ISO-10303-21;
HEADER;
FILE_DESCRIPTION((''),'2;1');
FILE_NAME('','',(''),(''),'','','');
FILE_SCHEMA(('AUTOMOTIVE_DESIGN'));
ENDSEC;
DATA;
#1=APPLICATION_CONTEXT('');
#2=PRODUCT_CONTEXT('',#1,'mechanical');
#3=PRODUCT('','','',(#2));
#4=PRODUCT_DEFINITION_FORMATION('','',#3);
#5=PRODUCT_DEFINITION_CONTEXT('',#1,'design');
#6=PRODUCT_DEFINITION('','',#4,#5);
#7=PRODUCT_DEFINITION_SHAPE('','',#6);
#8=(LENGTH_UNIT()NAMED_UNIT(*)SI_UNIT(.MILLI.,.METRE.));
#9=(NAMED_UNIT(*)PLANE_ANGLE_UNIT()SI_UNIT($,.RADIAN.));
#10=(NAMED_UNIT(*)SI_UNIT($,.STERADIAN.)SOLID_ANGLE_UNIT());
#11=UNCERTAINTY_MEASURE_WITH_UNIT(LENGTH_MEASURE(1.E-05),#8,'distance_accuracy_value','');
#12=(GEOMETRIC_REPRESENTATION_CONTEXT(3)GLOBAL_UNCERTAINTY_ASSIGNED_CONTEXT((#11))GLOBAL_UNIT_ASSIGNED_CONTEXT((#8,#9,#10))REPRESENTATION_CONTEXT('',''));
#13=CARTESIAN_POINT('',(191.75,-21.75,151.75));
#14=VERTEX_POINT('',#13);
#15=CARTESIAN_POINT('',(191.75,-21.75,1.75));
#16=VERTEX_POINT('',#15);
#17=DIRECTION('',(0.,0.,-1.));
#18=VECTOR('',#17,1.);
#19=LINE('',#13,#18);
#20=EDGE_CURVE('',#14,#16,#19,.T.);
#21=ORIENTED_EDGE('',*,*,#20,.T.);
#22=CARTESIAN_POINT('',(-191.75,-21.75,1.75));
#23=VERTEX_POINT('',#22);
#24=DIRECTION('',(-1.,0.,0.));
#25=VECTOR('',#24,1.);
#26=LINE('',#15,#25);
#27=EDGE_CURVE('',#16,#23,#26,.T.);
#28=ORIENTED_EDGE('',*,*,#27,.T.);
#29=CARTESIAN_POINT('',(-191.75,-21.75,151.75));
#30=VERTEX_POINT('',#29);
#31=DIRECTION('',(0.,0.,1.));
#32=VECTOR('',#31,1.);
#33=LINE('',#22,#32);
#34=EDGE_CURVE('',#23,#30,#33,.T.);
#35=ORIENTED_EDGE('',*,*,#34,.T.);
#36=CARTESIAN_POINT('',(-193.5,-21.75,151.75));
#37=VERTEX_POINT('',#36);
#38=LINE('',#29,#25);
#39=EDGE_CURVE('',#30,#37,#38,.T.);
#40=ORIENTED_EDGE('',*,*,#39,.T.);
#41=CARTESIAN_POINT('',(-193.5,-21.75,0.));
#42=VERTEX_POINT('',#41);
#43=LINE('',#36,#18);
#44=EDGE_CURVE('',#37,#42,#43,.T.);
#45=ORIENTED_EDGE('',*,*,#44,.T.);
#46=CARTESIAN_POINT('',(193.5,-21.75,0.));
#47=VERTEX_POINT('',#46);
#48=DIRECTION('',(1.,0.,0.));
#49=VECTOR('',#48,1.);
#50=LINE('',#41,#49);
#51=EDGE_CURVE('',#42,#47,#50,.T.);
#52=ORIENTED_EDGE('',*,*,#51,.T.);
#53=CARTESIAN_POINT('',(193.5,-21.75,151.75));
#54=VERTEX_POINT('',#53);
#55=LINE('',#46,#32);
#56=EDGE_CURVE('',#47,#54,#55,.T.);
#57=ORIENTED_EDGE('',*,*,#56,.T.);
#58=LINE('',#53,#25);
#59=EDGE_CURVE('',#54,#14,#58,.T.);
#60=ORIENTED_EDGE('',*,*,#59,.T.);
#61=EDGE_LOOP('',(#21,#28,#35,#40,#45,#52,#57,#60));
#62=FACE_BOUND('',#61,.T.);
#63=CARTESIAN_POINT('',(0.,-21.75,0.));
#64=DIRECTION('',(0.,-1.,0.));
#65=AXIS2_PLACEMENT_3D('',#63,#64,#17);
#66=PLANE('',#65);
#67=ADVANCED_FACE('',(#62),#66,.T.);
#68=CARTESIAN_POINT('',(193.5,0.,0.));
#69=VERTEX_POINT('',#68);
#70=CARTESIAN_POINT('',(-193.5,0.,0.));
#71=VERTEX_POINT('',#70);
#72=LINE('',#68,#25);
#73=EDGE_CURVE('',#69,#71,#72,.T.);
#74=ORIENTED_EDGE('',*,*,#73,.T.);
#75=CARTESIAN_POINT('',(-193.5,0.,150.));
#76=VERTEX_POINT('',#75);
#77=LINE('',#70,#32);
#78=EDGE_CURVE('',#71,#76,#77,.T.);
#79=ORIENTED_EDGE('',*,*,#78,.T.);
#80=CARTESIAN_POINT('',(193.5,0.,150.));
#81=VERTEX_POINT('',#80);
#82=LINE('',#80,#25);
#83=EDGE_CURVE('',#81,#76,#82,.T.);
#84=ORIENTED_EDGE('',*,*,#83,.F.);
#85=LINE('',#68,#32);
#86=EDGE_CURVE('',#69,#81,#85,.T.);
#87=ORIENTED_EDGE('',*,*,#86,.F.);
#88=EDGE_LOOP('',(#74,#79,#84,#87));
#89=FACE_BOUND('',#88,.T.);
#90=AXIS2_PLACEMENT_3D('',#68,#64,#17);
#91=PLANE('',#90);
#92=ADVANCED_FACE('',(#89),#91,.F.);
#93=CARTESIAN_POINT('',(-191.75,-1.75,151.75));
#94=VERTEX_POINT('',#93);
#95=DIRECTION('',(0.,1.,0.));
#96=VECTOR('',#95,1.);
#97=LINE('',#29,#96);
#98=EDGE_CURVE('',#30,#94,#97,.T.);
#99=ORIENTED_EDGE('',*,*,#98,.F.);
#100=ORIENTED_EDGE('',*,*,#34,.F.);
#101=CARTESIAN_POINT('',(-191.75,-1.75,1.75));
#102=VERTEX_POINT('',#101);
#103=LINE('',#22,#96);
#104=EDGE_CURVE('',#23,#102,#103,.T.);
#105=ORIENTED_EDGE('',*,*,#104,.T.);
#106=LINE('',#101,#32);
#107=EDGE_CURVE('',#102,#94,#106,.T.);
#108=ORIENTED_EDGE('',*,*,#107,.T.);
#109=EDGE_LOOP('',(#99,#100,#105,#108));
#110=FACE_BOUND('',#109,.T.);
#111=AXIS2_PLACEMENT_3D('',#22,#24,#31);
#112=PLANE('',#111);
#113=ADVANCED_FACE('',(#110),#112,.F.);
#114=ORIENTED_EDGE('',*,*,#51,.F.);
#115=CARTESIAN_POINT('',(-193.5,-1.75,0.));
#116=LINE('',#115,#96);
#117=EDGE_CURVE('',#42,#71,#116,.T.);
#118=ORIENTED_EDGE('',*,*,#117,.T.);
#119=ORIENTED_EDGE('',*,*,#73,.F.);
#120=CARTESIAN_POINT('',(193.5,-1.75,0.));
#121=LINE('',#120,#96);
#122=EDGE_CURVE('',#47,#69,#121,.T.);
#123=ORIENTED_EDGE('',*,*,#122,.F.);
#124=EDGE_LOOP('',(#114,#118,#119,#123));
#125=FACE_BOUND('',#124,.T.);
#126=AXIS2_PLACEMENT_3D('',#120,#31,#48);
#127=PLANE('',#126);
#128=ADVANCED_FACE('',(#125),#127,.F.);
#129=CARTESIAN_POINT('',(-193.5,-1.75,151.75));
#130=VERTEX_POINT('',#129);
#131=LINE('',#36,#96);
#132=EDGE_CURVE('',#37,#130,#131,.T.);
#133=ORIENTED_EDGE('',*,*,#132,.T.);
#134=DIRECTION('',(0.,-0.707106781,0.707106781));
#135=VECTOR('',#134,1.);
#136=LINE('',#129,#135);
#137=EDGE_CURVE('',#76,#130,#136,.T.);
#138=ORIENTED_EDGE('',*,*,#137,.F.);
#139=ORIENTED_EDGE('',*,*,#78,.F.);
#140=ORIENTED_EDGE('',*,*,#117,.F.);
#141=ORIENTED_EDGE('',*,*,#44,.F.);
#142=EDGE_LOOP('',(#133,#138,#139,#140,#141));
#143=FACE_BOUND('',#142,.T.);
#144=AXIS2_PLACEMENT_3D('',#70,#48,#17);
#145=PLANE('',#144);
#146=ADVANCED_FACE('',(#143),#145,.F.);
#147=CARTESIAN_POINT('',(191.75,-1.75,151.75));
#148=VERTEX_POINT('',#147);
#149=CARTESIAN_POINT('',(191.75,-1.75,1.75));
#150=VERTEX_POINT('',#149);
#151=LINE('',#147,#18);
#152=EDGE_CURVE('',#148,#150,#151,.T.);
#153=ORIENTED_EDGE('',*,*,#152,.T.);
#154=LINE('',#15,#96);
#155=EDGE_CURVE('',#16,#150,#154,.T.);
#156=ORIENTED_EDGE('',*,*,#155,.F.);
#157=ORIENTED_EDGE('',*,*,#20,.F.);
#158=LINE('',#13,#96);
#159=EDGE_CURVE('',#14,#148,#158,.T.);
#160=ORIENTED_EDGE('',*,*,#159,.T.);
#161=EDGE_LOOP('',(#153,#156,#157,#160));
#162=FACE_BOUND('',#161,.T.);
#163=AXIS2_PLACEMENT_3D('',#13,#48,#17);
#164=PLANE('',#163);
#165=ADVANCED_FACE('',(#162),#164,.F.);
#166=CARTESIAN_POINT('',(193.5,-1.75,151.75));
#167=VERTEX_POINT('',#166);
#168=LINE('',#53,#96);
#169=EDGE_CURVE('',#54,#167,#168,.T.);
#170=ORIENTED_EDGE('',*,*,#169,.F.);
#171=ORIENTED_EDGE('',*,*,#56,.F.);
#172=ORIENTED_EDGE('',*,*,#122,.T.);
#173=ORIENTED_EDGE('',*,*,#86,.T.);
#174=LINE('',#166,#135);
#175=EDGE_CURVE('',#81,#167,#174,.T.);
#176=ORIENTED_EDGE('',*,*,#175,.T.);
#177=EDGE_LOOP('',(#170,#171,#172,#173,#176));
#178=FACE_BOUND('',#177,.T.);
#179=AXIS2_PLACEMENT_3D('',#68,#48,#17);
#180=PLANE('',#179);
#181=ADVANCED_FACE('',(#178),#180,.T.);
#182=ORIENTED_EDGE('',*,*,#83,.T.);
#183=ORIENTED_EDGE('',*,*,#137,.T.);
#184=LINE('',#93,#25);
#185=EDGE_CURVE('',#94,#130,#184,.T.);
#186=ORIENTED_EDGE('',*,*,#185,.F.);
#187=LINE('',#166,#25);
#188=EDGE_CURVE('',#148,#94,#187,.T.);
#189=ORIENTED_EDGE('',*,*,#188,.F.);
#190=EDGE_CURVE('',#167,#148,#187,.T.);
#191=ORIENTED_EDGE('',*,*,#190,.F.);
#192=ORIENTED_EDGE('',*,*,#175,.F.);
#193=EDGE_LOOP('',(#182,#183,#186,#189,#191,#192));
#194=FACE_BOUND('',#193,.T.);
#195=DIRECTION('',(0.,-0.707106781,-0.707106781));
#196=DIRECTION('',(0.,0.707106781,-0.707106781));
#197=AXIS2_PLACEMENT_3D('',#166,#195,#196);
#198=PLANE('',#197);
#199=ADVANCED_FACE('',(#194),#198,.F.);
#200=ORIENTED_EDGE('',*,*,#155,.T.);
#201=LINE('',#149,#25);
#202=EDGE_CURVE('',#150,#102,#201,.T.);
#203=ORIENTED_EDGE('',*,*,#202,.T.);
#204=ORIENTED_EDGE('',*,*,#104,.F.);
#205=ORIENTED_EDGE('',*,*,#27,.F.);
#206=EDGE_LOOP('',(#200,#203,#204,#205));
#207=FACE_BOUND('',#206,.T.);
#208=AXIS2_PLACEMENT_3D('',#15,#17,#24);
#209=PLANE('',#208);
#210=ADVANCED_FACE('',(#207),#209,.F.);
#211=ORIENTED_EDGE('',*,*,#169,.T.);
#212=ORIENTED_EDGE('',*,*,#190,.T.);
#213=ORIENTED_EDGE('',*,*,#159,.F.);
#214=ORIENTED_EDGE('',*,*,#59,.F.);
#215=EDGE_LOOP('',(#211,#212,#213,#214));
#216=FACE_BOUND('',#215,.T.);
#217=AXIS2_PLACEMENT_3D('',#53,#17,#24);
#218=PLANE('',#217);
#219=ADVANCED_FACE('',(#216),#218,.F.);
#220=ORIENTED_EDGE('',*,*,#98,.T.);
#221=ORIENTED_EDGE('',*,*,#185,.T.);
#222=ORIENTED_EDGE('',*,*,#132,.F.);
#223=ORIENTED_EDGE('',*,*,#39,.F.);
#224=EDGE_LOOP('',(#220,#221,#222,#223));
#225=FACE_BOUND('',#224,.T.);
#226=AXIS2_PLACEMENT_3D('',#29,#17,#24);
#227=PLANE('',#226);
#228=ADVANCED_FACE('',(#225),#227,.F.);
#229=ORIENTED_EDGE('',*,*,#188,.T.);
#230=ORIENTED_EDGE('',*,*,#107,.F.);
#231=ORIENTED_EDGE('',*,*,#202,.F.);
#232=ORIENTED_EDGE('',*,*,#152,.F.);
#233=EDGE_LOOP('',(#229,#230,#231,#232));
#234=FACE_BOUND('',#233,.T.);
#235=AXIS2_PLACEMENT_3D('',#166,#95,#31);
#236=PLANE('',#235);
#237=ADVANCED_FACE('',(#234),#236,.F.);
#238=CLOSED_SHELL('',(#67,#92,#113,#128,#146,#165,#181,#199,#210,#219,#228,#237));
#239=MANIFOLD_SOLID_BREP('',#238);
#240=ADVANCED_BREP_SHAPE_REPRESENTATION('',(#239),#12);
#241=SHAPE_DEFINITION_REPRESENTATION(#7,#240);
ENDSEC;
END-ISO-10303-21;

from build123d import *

# Parameters (mm, degrees)
DODANIE_WYCI_GNI_CIE3_DEPTH = 193.5
DODANIE_WYCI_GNI_CIE4_DEPTH = 20


with BuildPart() as part:
    # Szkic3 → Dodanie-wyciągnięcie3 (new body, symmetric)
    with BuildSketch(Plane(origin=(0, 0, 0), x_dir=(0, 0, -1), z_dir=(1, 0, 0))):
        Polygon((0, 0), (-150, 0), (-151.75, -1.75), (0, -1.75), align=None)
    extrude(amount=DODANIE_WYCI_GNI_CIE3_DEPTH, both=True)

    # Szkic4 → Dodanie-wyciągnięcie4 (add)
    with BuildSketch(Plane.XZ.offset(1.75)):
        Polygon((-193.5, 151.75), (-193.5, 0), (193.5, 0), (193.5, 151.75), (191.75, 151.75), (191.75, 1.75), (-191.75, 1.75), (-191.75, 151.75), align=None)
    extrude(amount=DODANIE_WYCI_GNI_CIE4_DEPTH)


solid = part.part
